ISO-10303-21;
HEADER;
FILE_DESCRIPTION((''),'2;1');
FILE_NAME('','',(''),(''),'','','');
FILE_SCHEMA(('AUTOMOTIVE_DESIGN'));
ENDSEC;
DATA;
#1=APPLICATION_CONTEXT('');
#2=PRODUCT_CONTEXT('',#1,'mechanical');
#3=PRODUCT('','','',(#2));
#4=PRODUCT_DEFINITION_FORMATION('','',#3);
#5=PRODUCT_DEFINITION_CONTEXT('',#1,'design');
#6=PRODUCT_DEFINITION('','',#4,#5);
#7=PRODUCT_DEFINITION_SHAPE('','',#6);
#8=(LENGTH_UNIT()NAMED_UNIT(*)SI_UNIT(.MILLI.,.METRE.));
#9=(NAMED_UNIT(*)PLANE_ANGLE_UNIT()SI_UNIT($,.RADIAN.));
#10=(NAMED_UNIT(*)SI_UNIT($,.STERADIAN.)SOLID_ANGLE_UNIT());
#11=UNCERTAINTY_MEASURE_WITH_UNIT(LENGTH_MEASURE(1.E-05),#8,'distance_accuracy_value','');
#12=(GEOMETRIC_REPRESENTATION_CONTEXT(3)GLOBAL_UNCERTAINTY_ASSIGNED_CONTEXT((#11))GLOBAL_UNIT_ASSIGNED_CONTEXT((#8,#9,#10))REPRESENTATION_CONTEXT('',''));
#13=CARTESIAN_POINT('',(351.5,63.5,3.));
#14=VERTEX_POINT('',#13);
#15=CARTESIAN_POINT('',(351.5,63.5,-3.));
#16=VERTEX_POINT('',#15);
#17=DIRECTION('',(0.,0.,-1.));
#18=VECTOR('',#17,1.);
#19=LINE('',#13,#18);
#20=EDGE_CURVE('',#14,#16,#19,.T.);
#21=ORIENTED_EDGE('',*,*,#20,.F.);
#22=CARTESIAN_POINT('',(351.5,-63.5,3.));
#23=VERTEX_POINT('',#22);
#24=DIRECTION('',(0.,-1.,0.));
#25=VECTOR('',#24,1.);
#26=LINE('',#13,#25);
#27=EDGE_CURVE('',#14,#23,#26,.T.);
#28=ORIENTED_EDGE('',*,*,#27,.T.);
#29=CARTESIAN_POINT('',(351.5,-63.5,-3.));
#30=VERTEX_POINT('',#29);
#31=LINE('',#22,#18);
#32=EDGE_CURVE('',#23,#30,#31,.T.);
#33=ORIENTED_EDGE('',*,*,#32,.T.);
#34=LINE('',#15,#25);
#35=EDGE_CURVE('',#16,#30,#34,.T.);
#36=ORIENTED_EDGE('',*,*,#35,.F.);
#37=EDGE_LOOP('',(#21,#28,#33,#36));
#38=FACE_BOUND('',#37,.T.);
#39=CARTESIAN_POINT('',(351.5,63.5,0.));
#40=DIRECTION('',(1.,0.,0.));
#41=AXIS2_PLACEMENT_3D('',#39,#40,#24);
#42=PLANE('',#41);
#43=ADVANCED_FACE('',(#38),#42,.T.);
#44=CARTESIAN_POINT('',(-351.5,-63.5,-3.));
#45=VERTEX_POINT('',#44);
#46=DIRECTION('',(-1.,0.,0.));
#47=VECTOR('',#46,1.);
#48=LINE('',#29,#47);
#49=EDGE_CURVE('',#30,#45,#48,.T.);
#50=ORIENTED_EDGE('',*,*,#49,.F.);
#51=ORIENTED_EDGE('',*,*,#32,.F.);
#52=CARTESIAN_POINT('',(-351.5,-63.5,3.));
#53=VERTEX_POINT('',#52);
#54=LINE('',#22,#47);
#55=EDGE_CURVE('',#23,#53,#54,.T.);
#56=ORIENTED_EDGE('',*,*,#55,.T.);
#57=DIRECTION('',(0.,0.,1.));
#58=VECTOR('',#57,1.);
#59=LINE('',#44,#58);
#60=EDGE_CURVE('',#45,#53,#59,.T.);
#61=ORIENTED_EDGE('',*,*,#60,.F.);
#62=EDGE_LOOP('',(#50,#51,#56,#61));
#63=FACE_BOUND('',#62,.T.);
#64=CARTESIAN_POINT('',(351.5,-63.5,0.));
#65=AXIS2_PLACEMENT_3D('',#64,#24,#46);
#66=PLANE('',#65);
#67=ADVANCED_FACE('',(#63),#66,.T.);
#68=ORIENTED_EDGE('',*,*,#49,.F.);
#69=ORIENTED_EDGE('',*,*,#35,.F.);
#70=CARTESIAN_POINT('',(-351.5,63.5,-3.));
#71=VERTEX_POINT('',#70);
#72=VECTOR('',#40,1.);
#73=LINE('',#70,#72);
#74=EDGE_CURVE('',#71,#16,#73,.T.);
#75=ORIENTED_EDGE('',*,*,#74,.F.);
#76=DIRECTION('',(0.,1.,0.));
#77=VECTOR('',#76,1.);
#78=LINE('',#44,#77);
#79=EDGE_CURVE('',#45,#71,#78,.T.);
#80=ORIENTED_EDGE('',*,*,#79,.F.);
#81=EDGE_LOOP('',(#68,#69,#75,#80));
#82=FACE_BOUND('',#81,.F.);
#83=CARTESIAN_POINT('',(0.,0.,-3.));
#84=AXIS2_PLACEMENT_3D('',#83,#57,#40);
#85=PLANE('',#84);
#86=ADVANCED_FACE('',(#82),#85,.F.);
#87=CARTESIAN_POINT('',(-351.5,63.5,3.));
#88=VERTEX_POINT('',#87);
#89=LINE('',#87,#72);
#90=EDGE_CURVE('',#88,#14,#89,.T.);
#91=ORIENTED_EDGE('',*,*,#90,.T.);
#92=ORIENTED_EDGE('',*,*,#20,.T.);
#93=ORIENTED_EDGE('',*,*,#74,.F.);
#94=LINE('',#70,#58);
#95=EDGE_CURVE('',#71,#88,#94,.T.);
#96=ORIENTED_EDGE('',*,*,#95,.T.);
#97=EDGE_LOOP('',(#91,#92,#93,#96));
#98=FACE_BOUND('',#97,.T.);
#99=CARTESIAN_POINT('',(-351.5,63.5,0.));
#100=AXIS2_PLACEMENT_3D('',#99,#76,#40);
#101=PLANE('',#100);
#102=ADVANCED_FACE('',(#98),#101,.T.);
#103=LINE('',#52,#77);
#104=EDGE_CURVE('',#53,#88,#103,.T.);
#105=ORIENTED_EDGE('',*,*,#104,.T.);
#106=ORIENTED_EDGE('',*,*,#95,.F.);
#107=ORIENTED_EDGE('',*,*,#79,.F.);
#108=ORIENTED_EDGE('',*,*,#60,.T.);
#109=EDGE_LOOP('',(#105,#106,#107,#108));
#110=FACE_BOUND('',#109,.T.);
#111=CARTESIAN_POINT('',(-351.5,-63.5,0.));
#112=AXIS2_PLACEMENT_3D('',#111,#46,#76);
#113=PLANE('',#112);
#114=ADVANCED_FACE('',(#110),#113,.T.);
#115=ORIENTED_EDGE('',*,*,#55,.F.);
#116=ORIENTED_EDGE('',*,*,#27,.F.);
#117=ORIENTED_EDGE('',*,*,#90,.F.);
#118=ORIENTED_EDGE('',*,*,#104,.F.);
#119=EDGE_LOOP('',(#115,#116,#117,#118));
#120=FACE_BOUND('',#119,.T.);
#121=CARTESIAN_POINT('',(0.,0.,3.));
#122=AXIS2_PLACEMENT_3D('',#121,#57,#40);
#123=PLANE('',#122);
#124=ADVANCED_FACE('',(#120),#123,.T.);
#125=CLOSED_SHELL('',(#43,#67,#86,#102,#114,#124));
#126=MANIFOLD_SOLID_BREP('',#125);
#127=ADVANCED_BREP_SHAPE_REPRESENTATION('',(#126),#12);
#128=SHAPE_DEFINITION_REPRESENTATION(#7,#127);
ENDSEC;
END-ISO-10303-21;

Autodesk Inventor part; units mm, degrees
ref_plane "YZ Plane" through (0, 0, 0) normal (1, 0, 0) x (0, 1, 0)
ref_plane "XZ Plane" through (0, 0, 0) normal (0, 1, 0) x (-1, 0, 0)
ref_plane "XY Plane" through (0, 0, 0) normal (0, 0, 1) x (1, 0, 0)
sketch "Sketch1" plane through (0, 0, 0) normal (0, 0, 1) x (1, 0, 0)
  line L0 (-351.5, 63.5) -> (351.5, 63.5)
  line L1 (351.5, 63.5) -> (351.5, -63.5)
  line L2 (351.5, -63.5) -> (-351.5, -63.5)
  line L3 (-351.5, -63.5) -> (-351.5, 63.5)
  line L4 (-351.5, 63.5) -> (351.5, -63.5) construction
  line L5 (351.5, 63.5) -> (-351.5, -63.5) construction
  point P0 (0, 0)
  dimension "d0" = 703
  dimension "d1" = 127
extrude "Extrusion1" add sketch "Sketch1" along normal mid plane 6
properties part number "BASE LINEAR ACTUATOR" material "Aluminum 6061"
